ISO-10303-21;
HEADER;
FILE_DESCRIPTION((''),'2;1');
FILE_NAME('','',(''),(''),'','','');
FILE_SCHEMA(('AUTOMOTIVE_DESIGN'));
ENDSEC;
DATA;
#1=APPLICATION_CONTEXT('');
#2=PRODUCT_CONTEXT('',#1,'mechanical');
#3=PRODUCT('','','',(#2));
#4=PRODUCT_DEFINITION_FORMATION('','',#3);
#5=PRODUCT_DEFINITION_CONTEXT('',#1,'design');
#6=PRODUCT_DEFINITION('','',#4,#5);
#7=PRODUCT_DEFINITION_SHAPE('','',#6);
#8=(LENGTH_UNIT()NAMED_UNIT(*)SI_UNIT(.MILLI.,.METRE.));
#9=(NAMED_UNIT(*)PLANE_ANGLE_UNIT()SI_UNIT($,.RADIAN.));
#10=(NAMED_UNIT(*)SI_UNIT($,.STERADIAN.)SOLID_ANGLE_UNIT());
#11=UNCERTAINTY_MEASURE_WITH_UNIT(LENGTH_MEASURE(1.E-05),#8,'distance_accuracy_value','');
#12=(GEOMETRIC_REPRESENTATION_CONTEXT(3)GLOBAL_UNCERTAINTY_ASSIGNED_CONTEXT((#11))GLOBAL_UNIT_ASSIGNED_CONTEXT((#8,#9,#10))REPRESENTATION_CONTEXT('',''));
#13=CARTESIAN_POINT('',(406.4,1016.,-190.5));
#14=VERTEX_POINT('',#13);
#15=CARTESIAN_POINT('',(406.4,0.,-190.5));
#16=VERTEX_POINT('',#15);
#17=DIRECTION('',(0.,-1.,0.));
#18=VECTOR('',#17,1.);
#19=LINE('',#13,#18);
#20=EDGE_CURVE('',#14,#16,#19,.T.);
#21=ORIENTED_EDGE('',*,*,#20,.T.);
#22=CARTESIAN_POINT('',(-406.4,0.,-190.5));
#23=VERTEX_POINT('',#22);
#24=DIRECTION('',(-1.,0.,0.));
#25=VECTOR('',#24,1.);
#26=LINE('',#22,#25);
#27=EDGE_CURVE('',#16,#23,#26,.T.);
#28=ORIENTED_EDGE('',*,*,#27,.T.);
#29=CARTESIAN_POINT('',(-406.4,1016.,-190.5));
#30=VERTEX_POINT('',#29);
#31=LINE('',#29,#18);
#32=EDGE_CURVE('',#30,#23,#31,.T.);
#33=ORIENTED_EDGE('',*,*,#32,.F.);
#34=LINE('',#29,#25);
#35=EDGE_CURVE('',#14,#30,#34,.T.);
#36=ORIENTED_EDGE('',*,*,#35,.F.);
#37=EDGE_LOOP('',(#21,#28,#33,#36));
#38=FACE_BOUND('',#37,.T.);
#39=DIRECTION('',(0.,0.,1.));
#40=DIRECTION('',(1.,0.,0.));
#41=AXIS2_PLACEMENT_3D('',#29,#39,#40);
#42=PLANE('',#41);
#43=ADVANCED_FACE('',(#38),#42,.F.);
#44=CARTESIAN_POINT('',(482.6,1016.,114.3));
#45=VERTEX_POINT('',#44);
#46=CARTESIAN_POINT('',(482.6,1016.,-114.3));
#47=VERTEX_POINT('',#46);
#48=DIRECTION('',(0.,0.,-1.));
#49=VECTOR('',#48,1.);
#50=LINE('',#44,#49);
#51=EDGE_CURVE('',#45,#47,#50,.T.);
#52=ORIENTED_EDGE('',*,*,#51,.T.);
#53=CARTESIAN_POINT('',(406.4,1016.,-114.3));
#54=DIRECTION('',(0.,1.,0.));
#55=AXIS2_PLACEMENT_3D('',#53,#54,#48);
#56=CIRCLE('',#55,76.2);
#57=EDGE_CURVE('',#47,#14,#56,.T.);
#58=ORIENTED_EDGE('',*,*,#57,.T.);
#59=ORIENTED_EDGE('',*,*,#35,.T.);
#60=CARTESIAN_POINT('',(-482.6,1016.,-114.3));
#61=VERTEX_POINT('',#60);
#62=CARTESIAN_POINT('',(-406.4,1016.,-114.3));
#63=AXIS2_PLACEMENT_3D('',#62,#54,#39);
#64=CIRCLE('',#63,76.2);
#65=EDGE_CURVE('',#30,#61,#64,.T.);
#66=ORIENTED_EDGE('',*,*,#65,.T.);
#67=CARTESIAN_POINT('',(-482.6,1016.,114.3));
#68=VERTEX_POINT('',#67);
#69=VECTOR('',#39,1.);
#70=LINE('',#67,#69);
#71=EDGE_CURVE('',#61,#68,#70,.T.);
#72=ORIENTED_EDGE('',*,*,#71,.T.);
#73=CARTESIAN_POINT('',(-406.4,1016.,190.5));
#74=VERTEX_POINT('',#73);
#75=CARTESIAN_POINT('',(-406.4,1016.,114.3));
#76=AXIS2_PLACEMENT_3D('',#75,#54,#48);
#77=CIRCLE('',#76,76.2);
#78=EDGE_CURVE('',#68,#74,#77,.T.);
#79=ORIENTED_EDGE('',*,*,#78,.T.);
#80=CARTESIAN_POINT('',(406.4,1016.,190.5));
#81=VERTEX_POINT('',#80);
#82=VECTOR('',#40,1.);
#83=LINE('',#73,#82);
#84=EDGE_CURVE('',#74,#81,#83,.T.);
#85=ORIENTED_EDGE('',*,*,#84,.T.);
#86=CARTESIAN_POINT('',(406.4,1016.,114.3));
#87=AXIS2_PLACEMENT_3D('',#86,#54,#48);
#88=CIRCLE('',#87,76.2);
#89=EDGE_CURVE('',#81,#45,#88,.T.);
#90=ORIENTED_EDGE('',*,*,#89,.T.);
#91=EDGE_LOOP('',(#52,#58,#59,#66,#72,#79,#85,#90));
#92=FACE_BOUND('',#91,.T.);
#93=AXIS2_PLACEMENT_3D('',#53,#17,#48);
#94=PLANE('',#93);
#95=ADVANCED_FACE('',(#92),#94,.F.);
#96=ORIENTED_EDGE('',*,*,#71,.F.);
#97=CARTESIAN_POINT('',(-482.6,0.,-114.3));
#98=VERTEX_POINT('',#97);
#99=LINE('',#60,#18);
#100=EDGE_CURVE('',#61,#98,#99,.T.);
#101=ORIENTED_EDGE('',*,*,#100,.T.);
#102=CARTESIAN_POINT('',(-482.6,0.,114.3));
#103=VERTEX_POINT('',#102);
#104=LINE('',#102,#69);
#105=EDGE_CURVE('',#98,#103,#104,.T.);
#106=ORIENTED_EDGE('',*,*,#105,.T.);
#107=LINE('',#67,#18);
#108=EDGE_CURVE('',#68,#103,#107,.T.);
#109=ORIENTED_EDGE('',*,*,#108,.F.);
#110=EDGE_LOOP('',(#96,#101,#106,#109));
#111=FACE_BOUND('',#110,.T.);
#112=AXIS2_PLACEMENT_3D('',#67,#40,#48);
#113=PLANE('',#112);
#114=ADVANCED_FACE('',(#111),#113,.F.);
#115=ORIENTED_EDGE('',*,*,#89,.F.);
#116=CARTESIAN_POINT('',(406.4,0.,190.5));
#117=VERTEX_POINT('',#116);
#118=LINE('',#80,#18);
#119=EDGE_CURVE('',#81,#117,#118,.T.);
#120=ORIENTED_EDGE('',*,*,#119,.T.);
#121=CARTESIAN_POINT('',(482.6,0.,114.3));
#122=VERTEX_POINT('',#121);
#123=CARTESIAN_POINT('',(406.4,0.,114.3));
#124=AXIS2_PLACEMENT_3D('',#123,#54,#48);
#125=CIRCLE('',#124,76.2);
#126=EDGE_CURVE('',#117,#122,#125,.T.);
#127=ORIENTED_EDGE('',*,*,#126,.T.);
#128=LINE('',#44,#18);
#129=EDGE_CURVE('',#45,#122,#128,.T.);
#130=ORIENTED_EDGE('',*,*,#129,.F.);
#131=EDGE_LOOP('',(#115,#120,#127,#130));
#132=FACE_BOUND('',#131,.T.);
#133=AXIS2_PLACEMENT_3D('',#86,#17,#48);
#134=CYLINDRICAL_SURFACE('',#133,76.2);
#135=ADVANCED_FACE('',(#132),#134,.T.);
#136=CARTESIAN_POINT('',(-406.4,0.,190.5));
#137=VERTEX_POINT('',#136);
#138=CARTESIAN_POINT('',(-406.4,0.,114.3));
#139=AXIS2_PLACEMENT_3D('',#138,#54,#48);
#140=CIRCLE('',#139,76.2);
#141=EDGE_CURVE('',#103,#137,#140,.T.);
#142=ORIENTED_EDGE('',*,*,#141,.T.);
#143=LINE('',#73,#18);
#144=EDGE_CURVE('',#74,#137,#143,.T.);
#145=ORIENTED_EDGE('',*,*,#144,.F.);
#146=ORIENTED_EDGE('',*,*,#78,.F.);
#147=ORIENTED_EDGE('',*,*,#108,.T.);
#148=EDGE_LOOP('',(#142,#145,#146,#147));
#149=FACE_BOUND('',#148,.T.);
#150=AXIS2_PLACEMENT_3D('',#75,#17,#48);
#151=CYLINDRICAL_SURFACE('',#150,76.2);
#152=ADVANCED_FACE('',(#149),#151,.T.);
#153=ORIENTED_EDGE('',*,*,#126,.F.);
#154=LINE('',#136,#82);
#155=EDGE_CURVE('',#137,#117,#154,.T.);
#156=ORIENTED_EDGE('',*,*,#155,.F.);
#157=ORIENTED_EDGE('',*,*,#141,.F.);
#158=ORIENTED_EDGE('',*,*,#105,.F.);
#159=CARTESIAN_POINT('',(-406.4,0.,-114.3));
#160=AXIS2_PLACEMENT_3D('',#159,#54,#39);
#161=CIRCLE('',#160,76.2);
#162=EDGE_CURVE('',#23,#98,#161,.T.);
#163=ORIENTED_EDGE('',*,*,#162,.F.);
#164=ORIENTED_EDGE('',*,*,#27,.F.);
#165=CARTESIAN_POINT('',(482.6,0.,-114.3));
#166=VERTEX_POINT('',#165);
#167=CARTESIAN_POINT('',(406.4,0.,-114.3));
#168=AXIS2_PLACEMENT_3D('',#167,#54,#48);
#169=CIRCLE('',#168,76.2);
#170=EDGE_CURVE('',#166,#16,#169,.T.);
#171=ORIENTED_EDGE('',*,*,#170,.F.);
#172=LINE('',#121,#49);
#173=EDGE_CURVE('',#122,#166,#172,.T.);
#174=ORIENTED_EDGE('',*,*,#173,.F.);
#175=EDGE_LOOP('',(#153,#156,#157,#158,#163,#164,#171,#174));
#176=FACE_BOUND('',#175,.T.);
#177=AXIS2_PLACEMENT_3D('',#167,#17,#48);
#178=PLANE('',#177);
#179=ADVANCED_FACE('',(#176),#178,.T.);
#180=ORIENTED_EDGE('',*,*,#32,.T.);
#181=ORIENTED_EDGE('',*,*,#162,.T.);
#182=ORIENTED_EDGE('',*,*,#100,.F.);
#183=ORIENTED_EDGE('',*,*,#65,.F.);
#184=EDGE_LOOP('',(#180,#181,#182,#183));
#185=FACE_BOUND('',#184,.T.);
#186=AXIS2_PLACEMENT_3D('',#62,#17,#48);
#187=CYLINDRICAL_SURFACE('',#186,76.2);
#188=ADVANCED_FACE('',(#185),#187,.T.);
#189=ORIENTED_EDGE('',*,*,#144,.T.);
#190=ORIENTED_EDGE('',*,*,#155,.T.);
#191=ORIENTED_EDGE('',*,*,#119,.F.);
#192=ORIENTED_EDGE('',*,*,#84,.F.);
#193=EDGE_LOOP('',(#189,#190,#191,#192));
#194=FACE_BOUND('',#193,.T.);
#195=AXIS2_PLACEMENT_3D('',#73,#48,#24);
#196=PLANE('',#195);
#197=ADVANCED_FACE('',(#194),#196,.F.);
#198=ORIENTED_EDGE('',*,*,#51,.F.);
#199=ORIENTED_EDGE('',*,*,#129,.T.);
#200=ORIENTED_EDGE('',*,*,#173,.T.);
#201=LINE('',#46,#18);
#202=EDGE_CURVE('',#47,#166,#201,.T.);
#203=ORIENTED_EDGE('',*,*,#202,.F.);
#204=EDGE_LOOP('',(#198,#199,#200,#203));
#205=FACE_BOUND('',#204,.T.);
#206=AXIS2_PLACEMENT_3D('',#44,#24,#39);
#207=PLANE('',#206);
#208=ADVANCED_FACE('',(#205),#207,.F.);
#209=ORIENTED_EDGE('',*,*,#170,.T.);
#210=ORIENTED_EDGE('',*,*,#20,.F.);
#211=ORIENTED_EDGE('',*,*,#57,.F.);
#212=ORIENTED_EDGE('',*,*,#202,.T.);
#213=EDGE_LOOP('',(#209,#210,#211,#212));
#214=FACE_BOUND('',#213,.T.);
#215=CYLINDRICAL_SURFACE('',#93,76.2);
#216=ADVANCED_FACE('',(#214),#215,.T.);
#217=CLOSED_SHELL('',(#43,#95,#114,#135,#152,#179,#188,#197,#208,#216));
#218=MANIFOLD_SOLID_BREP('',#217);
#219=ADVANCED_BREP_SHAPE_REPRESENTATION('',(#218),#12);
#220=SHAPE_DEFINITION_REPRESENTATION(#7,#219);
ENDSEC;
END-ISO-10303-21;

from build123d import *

# Parameters (mm, degrees)
BOSS_EXTRUDE1_DEPTH = 1016


with BuildPart() as part:
    # Sketch1 → Boss-Extrude1 (new body)
    with BuildSketch(Plane(origin=(0, 0, 0), x_dir=(1, 0, 0), z_dir=(0, 1, 0))):
        with BuildLine():
            Line((-406.4, -190.5), (406.4, -190.5))
            ThreePointArc((406.4, -190.5), (460.281536726, -168.181536726), (482.6, -114.3))
            Line((482.6, -114.3), (482.6, 114.3))
            ThreePointArc((482.6, 114.3), (460.281536726, 168.181536726), (406.4, 190.5))
            Line((406.4, 190.5), (-406.4, 190.5))
            ThreePointArc((-406.4, 190.5), (-460.281536726, 168.181536726), (-482.6, 114.3))
            Line((-482.6, 114.3), (-482.6, -114.3))
            ThreePointArc((-482.6, -114.3), (-460.281536726, -168.181536726), (-406.4, -190.5))
        make_face()
    extrude(amount=BOSS_EXTRUDE1_DEPTH)


solid = part.part
